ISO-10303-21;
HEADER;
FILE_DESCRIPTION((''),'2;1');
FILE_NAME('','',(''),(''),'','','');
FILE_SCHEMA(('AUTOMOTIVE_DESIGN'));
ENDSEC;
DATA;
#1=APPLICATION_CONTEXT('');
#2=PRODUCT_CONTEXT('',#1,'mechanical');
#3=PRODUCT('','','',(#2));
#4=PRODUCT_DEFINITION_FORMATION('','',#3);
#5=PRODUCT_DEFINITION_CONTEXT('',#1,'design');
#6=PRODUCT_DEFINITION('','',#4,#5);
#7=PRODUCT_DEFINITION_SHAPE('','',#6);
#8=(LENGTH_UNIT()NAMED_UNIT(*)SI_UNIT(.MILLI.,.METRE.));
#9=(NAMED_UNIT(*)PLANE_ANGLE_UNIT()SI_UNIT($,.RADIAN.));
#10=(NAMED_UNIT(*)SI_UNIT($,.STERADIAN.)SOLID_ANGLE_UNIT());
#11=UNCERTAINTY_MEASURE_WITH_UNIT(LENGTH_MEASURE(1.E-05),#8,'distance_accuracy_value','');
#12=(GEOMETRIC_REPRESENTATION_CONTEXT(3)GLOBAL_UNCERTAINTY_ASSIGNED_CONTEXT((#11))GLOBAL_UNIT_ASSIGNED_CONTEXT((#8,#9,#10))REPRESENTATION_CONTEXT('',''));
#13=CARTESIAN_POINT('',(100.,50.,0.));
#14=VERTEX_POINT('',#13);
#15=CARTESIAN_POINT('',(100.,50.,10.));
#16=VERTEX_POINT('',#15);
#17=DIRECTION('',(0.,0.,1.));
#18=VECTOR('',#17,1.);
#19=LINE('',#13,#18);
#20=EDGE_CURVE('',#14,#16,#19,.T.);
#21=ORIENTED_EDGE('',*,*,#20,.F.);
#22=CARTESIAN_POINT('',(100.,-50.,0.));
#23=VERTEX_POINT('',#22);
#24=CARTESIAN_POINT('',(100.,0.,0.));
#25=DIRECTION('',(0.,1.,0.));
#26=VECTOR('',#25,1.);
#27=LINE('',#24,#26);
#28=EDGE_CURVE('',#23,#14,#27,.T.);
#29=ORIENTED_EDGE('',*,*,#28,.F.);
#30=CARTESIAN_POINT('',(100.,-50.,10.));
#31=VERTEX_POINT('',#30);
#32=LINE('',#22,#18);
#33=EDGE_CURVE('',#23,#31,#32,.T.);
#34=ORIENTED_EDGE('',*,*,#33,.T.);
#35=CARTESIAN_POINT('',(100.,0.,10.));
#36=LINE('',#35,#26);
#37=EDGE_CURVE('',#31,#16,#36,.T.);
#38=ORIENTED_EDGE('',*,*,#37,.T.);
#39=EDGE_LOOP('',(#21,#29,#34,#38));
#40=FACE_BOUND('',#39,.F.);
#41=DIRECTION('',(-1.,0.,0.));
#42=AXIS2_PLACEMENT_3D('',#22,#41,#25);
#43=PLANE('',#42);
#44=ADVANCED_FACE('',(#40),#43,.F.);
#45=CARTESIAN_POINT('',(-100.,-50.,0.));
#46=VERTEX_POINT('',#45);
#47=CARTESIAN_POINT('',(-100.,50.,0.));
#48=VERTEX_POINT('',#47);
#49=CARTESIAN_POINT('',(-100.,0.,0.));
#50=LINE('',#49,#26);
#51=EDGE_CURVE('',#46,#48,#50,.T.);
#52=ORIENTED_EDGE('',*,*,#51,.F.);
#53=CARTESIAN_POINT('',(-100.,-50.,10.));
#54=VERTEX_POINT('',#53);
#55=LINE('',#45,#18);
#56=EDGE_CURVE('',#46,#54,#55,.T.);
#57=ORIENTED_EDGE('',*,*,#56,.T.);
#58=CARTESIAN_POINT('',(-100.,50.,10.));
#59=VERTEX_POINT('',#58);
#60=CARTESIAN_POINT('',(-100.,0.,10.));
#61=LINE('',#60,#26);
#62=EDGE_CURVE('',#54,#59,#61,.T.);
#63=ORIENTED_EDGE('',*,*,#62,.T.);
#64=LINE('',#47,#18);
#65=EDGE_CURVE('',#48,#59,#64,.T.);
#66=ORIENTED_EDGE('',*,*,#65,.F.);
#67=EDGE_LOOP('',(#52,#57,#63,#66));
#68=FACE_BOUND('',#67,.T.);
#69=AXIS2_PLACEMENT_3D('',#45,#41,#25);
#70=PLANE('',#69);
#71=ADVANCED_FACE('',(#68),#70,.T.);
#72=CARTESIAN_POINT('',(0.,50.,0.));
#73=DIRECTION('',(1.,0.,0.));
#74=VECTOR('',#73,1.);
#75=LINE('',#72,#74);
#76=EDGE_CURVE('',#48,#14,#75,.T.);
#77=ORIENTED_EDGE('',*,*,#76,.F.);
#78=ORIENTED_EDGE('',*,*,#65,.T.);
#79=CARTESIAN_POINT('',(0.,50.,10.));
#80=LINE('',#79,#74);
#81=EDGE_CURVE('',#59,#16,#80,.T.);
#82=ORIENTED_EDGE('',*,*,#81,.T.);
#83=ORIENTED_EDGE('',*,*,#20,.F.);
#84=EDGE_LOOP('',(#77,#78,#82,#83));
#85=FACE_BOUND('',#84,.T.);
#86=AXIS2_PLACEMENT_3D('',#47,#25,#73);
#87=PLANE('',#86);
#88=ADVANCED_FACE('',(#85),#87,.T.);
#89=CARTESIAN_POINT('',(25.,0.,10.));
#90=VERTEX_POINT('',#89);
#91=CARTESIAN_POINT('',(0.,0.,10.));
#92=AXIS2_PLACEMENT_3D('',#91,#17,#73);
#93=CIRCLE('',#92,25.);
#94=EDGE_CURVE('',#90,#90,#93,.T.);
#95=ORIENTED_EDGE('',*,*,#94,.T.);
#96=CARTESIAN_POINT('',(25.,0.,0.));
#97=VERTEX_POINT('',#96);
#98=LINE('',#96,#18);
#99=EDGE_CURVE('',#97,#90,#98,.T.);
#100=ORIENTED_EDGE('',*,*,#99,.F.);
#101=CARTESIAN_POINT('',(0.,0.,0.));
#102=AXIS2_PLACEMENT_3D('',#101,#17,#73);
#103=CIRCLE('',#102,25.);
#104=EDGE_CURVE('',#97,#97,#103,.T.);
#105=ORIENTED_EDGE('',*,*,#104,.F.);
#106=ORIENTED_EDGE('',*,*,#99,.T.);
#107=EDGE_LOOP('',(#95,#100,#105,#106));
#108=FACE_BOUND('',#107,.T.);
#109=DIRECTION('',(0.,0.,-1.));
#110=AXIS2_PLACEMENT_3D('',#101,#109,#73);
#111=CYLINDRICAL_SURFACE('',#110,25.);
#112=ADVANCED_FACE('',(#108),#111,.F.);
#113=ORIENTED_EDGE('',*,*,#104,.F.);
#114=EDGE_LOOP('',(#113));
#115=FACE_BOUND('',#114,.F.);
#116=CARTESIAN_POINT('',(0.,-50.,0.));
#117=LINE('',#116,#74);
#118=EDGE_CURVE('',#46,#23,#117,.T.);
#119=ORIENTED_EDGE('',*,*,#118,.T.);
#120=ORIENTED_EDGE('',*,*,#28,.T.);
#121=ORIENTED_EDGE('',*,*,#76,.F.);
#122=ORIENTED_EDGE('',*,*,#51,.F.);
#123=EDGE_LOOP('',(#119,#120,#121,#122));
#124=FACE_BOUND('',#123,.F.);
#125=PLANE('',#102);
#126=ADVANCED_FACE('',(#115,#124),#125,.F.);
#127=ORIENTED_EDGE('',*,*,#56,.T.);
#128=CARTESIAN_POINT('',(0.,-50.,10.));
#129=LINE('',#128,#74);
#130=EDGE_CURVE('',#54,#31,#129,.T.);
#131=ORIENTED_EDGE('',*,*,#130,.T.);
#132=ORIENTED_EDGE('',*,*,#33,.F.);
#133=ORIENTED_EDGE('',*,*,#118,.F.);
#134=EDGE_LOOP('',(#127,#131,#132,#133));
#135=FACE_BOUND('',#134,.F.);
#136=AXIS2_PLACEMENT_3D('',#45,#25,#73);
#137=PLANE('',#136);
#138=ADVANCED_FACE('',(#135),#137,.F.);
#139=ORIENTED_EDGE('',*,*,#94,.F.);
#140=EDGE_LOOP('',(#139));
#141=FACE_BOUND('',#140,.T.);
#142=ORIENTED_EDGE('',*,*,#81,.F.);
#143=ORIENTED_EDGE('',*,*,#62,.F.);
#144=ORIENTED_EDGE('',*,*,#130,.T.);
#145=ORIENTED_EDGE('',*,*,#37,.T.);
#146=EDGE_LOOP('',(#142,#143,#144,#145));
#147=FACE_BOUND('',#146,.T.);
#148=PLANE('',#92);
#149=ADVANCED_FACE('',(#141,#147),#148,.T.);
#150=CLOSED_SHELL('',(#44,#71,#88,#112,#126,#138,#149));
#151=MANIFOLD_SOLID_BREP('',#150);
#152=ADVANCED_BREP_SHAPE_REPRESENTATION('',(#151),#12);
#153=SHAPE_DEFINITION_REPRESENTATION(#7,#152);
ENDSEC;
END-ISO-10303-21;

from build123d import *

# Parameters (mm, degrees)
SKETCH_W  = 200
SKETCH_H  = 100
SKETCH_R  = 25
PAD_DEPTH = 10


with BuildPart() as part:
    # Sketch → Pad (new body)
    with BuildSketch(Plane.XY):
        Rectangle(SKETCH_W, SKETCH_H)
        Circle(SKETCH_R, mode=Mode.SUBTRACT)
    extrude(amount=PAD_DEPTH)


solid = part.part
